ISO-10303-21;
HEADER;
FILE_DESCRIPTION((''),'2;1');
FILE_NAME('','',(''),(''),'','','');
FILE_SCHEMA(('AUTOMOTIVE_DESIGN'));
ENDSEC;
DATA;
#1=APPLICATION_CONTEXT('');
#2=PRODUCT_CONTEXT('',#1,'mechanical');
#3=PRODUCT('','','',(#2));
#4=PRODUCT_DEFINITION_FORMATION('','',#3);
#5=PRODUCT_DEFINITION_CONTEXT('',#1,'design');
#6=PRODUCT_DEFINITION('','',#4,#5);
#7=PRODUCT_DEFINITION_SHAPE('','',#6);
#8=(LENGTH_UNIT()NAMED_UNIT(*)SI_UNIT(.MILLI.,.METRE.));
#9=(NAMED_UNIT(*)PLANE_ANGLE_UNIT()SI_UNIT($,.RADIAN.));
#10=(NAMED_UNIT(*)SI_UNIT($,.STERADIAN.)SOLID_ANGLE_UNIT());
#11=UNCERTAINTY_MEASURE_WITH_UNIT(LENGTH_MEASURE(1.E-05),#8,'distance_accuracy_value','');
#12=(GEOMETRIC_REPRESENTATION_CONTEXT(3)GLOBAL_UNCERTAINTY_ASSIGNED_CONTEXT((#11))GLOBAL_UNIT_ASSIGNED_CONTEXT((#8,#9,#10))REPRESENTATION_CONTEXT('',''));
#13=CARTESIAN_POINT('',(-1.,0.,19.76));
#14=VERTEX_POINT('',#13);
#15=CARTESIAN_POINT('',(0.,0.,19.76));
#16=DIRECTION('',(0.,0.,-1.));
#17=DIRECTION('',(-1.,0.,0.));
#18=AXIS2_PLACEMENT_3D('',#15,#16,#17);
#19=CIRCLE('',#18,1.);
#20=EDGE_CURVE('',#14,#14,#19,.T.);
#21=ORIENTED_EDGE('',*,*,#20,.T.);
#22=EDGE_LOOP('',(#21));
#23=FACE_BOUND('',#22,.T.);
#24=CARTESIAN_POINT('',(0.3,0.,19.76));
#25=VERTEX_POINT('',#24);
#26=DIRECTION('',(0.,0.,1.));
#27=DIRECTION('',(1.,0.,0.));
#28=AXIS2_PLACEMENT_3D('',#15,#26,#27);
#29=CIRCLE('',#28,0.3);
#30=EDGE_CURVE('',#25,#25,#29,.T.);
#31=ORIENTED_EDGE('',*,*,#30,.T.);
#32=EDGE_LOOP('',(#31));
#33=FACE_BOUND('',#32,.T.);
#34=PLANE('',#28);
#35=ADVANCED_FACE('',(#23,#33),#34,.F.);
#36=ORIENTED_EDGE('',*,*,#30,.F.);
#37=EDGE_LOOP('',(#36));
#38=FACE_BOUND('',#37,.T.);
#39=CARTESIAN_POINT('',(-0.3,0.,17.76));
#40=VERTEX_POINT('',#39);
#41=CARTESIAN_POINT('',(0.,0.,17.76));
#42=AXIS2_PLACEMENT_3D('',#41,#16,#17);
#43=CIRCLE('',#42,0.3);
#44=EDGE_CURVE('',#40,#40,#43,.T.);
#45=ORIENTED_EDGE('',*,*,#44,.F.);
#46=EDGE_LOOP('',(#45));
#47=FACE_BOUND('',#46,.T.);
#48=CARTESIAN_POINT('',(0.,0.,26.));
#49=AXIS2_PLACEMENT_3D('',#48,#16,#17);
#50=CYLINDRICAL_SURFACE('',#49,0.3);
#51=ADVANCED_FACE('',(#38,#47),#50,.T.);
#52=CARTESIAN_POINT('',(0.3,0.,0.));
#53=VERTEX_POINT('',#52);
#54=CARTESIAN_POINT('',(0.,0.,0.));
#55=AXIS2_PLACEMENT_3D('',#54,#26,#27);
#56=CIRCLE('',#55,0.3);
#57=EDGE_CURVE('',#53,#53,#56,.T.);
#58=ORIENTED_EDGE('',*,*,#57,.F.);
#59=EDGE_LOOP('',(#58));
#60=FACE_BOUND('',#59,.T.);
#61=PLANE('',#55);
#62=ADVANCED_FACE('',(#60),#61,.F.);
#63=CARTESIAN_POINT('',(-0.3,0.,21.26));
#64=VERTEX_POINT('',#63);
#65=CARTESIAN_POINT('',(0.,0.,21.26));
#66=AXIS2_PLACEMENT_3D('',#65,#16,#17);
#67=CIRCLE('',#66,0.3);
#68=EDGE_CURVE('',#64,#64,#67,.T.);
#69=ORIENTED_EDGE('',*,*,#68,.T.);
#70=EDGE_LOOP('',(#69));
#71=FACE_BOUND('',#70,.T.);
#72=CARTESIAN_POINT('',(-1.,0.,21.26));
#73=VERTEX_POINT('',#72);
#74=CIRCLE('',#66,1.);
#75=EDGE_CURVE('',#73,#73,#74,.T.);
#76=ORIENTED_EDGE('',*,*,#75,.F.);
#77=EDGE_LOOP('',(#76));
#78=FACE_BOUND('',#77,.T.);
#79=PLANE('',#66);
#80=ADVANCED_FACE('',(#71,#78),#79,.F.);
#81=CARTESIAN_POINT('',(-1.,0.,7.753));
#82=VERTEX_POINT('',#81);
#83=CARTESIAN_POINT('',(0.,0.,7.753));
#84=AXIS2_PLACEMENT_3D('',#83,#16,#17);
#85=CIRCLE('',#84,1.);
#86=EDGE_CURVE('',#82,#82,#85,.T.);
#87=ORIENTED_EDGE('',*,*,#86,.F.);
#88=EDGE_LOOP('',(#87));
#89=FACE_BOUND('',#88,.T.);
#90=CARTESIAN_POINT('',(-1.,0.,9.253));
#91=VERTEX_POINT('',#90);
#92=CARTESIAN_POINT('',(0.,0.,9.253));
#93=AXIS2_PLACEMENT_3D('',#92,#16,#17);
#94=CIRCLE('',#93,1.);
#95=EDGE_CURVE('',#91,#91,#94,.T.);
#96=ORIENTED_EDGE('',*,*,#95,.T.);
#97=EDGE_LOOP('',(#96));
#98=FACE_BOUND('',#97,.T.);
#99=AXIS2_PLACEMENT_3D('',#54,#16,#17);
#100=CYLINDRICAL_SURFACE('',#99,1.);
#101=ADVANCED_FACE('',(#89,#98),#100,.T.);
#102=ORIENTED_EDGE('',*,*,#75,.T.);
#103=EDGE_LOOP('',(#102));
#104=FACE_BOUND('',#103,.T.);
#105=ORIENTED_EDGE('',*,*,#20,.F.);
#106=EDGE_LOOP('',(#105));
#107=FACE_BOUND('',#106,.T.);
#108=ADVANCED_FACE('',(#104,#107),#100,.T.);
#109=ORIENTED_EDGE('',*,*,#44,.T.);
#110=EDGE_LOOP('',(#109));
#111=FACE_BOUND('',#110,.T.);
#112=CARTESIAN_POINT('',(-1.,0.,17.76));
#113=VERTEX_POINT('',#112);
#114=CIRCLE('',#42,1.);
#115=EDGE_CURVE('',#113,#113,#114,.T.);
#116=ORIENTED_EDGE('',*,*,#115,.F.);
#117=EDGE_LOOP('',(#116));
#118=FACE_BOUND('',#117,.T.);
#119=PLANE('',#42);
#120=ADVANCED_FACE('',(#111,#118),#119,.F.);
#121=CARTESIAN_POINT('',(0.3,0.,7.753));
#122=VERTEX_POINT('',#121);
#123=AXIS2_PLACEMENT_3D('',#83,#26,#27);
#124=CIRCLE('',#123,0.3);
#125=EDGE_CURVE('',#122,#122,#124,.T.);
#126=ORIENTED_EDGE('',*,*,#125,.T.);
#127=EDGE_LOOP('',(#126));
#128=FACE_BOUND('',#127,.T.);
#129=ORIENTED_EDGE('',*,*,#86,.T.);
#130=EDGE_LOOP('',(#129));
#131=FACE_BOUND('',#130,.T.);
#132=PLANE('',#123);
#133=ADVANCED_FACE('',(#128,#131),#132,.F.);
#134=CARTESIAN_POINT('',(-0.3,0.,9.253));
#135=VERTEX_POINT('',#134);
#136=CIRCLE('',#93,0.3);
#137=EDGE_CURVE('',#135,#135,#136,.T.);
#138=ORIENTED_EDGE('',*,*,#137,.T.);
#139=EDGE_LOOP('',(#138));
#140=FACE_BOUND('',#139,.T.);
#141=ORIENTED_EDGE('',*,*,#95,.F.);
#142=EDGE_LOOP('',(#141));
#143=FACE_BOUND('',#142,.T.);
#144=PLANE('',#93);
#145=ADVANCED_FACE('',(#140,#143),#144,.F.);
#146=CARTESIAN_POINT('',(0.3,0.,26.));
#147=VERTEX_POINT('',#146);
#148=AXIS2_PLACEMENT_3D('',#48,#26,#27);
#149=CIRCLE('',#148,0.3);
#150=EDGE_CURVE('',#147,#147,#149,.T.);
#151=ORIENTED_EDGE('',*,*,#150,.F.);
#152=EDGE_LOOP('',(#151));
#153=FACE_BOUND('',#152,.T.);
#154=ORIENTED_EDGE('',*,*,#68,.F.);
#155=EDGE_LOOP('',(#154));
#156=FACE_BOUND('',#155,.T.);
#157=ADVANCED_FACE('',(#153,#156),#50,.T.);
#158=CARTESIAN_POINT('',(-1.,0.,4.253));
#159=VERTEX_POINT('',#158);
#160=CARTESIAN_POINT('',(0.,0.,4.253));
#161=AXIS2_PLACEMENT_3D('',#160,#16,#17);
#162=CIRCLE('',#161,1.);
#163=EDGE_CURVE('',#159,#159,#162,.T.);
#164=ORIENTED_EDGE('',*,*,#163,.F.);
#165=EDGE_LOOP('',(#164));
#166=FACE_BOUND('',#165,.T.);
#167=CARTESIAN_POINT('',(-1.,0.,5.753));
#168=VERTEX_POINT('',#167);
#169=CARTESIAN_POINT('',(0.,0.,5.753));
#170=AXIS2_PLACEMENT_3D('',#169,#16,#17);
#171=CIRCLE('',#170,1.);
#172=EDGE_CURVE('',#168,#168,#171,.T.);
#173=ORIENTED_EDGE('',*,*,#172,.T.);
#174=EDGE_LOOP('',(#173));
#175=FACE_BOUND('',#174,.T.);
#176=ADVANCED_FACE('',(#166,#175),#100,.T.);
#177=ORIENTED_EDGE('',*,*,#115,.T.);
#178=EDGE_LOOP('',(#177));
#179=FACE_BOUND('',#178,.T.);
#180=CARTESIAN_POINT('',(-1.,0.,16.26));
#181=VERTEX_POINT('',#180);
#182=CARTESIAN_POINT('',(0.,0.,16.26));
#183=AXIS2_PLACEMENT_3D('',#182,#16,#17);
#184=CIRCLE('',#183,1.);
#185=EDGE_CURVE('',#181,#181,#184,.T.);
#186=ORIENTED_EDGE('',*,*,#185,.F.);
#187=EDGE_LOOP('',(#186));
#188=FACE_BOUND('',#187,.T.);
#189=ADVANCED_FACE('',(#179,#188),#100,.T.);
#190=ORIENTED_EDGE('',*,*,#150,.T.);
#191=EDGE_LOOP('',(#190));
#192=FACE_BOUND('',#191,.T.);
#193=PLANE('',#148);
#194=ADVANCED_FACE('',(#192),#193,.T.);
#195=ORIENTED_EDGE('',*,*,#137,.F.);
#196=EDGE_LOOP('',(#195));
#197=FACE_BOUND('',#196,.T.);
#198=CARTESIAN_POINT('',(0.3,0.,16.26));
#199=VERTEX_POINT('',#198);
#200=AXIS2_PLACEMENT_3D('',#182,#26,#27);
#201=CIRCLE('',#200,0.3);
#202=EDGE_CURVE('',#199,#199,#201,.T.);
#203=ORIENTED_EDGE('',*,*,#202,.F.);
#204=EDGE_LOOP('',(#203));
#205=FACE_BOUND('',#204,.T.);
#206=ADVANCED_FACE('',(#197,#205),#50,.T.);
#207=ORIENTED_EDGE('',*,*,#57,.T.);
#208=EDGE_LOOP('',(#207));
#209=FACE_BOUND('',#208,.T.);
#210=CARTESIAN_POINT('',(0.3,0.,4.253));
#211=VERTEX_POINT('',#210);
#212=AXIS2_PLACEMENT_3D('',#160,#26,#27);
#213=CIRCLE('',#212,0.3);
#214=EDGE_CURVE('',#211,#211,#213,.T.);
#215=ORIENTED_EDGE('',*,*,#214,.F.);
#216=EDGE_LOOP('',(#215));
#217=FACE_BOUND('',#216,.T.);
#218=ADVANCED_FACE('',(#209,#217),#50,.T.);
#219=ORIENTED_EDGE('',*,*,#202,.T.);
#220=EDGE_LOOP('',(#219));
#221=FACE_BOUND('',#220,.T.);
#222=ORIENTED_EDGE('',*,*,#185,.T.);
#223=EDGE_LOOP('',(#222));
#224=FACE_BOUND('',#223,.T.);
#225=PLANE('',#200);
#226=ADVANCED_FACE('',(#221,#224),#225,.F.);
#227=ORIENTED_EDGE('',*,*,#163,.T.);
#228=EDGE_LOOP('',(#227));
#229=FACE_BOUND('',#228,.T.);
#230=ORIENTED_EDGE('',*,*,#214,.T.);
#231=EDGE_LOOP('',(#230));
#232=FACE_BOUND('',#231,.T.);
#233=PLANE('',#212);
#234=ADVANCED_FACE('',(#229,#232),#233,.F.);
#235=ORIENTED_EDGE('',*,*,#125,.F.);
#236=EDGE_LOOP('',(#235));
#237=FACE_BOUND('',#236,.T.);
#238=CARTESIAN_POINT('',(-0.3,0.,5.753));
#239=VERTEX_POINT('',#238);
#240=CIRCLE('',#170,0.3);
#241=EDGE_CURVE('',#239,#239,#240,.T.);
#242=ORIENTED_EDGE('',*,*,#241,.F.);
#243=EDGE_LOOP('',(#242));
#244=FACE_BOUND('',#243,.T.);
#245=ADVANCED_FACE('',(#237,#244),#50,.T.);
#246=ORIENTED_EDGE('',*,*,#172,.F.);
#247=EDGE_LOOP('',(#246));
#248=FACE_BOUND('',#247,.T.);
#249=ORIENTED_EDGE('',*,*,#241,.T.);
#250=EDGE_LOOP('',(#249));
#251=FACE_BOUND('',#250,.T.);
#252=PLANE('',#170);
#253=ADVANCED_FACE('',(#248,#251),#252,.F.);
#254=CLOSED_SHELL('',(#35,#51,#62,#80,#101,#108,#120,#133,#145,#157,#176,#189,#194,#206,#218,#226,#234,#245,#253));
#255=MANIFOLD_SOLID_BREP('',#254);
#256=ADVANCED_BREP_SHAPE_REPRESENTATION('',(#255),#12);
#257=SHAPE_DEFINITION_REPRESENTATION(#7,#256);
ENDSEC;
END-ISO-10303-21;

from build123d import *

# Parameters (mm, degrees)
SKETCH2_R           = 0.3
BOSS_EXTRUDE1_DEPTH = 26
SKETCH3_W           = 1
SKETCH3_H           = 1.5


with BuildPart() as part:
    # Sketch2 → Boss-Extrude1 (new body)
    with BuildSketch(Plane.XY):
        Circle(SKETCH2_R)
    extrude(amount=BOSS_EXTRUDE1_DEPTH)

    # Sketch3 → Revolve1 (revolve)
    with BuildSketch(Plane(origin=(0, 0, 0), x_dir=(1, 0, 0), z_dir=(0, 1, 0))):
        with Locations((0.5, -5.003)):
            Rectangle(SKETCH3_W, SKETCH3_H)
        with Locations((0.5, -8.503)):
            Rectangle(SKETCH3_W, SKETCH3_H)
        with Locations((0.5, -17.01)):
            Rectangle(SKETCH3_W, SKETCH3_H)
        with Locations((0.5, -20.51)):
            Rectangle(SKETCH3_W, SKETCH3_H)
    revolve(axis=Axis((0, 0, 0), (0, 0, 1)))


solid = part.part
